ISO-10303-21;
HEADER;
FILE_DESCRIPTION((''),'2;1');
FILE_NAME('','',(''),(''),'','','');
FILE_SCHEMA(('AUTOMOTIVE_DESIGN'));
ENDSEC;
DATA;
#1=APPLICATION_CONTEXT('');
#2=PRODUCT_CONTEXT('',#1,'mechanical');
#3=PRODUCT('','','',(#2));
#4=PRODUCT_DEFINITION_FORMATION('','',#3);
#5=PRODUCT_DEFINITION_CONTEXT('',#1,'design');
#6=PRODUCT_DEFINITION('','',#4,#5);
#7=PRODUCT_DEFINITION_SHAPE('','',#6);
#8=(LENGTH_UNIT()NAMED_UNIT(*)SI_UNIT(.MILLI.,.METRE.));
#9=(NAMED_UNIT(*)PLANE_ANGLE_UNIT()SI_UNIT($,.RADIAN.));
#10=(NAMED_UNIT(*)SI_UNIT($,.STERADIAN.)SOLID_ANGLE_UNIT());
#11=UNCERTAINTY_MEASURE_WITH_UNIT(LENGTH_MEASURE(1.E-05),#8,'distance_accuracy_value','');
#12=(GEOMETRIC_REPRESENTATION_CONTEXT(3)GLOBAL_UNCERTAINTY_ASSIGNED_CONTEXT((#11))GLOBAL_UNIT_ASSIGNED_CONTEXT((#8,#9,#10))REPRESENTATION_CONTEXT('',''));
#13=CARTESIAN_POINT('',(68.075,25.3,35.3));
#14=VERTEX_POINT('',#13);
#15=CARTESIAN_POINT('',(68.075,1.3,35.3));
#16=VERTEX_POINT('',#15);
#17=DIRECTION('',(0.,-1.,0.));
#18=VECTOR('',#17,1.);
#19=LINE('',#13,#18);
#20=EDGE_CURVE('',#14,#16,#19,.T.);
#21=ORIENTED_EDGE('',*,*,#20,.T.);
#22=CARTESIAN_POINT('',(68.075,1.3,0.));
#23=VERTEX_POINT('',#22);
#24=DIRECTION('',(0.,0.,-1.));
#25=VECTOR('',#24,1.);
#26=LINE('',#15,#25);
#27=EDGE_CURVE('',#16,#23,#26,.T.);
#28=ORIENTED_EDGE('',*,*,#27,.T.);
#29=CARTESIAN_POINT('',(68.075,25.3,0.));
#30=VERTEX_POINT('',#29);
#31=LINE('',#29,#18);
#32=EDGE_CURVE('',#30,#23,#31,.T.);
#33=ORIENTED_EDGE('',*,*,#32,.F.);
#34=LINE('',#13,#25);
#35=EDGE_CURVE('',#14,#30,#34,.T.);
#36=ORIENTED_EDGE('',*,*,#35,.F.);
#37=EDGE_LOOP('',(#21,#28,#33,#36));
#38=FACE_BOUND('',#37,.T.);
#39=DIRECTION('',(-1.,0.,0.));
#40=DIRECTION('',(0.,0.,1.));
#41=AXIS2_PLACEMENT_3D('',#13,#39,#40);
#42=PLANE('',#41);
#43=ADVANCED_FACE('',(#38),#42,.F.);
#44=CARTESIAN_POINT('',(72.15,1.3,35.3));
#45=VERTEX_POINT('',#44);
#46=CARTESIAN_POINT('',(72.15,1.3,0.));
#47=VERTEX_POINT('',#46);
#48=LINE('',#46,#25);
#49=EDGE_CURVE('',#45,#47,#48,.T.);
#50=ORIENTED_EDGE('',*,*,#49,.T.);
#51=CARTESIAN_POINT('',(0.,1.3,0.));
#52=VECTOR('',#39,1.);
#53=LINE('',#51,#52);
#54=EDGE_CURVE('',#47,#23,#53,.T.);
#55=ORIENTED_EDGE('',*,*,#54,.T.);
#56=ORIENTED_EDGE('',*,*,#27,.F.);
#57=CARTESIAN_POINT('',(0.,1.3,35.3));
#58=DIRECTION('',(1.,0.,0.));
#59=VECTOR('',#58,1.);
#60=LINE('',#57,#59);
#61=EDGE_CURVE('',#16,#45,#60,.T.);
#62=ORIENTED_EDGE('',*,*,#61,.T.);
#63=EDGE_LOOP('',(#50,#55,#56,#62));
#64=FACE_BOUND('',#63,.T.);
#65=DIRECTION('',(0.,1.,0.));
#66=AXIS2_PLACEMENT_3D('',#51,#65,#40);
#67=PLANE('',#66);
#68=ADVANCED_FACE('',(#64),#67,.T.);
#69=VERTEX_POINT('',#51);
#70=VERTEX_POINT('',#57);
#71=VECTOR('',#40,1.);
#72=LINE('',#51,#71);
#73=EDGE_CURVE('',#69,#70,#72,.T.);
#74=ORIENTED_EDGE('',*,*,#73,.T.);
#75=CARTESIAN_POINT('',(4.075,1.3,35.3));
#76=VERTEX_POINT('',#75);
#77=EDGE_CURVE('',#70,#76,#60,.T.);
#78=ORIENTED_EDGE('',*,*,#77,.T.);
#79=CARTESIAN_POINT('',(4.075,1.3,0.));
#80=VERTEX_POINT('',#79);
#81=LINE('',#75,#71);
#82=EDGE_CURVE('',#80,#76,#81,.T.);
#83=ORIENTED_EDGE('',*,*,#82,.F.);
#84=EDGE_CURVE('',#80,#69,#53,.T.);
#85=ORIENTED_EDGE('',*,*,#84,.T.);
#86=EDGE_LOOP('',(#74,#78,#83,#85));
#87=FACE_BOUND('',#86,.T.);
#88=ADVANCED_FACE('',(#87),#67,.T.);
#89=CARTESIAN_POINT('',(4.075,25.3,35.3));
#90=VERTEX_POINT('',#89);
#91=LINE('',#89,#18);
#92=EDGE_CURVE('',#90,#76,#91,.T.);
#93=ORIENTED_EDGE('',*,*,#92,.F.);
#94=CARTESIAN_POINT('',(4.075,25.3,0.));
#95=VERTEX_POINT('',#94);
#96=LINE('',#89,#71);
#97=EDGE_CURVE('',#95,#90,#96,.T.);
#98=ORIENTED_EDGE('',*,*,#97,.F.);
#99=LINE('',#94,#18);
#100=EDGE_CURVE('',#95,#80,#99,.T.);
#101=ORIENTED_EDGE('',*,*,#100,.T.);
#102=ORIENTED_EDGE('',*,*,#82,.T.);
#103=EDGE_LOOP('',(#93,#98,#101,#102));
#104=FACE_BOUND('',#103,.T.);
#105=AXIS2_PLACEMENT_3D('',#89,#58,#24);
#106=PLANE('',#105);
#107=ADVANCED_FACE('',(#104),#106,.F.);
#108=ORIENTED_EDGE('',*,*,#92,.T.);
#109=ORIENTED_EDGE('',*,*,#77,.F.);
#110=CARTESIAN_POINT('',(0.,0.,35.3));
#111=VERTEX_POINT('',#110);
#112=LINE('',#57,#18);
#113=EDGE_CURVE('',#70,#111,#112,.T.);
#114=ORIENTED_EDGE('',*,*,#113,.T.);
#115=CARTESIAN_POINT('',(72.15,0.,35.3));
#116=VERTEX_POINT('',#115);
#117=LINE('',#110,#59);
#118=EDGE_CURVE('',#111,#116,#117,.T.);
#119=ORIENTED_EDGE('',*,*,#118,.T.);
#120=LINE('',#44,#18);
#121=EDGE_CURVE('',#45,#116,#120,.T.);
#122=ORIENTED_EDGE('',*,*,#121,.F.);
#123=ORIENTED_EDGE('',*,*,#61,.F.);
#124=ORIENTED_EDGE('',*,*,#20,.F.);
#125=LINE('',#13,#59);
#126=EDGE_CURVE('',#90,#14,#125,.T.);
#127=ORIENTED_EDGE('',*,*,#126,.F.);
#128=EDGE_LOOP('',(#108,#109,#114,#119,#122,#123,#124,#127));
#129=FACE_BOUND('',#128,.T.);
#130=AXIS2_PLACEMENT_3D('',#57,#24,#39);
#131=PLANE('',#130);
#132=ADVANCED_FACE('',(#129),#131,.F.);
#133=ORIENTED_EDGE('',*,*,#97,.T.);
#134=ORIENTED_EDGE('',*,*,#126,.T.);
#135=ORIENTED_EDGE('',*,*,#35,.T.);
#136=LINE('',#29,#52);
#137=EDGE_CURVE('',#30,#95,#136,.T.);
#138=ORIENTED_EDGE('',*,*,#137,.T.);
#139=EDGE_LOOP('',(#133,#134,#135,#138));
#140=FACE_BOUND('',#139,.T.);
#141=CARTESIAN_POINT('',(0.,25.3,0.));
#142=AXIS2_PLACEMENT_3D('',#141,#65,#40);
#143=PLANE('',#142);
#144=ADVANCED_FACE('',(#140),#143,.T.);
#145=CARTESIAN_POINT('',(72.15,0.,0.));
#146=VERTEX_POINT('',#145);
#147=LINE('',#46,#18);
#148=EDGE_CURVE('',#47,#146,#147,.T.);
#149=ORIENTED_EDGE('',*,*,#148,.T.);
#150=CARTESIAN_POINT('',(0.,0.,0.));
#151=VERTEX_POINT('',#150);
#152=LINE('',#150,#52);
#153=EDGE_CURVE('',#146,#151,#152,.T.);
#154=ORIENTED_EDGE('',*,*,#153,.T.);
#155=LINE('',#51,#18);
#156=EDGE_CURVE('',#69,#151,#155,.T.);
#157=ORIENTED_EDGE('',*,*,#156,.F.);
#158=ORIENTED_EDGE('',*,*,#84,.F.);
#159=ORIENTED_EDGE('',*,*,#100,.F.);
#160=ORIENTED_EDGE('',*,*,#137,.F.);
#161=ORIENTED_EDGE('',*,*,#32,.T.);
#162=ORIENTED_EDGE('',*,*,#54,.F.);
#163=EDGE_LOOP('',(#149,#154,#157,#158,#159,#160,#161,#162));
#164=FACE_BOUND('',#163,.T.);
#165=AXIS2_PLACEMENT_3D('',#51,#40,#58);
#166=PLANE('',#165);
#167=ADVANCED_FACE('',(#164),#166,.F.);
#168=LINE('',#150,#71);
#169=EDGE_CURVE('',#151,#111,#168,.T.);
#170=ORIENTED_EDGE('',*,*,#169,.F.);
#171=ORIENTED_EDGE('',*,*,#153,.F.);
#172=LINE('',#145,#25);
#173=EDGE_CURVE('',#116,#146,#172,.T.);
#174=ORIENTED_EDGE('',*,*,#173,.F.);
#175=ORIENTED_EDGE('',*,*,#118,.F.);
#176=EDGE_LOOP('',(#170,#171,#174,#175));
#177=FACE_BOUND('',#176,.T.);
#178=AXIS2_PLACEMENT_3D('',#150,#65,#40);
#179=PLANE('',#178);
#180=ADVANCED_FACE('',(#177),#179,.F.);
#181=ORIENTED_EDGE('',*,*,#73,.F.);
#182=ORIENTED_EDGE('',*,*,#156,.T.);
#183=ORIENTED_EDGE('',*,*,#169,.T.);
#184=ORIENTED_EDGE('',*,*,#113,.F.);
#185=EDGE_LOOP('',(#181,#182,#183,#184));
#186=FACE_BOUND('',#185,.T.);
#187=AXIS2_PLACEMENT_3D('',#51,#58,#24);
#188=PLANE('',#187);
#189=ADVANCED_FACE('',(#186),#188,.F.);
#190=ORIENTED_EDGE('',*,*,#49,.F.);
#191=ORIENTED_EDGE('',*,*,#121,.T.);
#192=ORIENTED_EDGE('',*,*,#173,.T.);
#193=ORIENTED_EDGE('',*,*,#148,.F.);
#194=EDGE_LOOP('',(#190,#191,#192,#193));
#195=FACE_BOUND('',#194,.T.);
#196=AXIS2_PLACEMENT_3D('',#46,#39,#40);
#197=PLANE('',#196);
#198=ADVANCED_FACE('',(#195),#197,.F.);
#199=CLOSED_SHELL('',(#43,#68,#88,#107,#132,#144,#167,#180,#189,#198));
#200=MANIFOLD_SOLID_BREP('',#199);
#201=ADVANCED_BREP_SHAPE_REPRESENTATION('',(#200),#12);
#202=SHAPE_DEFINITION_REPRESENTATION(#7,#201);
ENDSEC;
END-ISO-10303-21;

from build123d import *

# Parameters (mm, degrees)
SKETCH1_W           = 72.15
SKETCH1_H           = 35.3
BOSS_EXTRUDE1_DEPTH = 1.3
SKETCH2_W           = 64
SKETCH2_H           = 35.3
BOSS_EXTRUDE2_DEPTH = 24


with BuildPart() as part:
    # Sketch1 → Boss-Extrude1 (new body)
    with BuildSketch(Plane(origin=(0, 0, 0), x_dir=(1, 0, 0), z_dir=(0, 1, 0))):
        with Locations((36.075, -17.65)):
            Rectangle(SKETCH1_W, SKETCH1_H)
    extrude(amount=BOSS_EXTRUDE1_DEPTH)

    # Sketch2 → Boss-Extrude2 (add)
    with BuildSketch(Plane(origin=(0, 1.3, 0), x_dir=(1, 0, 0), z_dir=(0, 1, 0))):
        with Locations((36.075, -17.65)):
            Rectangle(SKETCH2_W, SKETCH2_H)
    extrude(amount=BOSS_EXTRUDE2_DEPTH)


solid = part.part
